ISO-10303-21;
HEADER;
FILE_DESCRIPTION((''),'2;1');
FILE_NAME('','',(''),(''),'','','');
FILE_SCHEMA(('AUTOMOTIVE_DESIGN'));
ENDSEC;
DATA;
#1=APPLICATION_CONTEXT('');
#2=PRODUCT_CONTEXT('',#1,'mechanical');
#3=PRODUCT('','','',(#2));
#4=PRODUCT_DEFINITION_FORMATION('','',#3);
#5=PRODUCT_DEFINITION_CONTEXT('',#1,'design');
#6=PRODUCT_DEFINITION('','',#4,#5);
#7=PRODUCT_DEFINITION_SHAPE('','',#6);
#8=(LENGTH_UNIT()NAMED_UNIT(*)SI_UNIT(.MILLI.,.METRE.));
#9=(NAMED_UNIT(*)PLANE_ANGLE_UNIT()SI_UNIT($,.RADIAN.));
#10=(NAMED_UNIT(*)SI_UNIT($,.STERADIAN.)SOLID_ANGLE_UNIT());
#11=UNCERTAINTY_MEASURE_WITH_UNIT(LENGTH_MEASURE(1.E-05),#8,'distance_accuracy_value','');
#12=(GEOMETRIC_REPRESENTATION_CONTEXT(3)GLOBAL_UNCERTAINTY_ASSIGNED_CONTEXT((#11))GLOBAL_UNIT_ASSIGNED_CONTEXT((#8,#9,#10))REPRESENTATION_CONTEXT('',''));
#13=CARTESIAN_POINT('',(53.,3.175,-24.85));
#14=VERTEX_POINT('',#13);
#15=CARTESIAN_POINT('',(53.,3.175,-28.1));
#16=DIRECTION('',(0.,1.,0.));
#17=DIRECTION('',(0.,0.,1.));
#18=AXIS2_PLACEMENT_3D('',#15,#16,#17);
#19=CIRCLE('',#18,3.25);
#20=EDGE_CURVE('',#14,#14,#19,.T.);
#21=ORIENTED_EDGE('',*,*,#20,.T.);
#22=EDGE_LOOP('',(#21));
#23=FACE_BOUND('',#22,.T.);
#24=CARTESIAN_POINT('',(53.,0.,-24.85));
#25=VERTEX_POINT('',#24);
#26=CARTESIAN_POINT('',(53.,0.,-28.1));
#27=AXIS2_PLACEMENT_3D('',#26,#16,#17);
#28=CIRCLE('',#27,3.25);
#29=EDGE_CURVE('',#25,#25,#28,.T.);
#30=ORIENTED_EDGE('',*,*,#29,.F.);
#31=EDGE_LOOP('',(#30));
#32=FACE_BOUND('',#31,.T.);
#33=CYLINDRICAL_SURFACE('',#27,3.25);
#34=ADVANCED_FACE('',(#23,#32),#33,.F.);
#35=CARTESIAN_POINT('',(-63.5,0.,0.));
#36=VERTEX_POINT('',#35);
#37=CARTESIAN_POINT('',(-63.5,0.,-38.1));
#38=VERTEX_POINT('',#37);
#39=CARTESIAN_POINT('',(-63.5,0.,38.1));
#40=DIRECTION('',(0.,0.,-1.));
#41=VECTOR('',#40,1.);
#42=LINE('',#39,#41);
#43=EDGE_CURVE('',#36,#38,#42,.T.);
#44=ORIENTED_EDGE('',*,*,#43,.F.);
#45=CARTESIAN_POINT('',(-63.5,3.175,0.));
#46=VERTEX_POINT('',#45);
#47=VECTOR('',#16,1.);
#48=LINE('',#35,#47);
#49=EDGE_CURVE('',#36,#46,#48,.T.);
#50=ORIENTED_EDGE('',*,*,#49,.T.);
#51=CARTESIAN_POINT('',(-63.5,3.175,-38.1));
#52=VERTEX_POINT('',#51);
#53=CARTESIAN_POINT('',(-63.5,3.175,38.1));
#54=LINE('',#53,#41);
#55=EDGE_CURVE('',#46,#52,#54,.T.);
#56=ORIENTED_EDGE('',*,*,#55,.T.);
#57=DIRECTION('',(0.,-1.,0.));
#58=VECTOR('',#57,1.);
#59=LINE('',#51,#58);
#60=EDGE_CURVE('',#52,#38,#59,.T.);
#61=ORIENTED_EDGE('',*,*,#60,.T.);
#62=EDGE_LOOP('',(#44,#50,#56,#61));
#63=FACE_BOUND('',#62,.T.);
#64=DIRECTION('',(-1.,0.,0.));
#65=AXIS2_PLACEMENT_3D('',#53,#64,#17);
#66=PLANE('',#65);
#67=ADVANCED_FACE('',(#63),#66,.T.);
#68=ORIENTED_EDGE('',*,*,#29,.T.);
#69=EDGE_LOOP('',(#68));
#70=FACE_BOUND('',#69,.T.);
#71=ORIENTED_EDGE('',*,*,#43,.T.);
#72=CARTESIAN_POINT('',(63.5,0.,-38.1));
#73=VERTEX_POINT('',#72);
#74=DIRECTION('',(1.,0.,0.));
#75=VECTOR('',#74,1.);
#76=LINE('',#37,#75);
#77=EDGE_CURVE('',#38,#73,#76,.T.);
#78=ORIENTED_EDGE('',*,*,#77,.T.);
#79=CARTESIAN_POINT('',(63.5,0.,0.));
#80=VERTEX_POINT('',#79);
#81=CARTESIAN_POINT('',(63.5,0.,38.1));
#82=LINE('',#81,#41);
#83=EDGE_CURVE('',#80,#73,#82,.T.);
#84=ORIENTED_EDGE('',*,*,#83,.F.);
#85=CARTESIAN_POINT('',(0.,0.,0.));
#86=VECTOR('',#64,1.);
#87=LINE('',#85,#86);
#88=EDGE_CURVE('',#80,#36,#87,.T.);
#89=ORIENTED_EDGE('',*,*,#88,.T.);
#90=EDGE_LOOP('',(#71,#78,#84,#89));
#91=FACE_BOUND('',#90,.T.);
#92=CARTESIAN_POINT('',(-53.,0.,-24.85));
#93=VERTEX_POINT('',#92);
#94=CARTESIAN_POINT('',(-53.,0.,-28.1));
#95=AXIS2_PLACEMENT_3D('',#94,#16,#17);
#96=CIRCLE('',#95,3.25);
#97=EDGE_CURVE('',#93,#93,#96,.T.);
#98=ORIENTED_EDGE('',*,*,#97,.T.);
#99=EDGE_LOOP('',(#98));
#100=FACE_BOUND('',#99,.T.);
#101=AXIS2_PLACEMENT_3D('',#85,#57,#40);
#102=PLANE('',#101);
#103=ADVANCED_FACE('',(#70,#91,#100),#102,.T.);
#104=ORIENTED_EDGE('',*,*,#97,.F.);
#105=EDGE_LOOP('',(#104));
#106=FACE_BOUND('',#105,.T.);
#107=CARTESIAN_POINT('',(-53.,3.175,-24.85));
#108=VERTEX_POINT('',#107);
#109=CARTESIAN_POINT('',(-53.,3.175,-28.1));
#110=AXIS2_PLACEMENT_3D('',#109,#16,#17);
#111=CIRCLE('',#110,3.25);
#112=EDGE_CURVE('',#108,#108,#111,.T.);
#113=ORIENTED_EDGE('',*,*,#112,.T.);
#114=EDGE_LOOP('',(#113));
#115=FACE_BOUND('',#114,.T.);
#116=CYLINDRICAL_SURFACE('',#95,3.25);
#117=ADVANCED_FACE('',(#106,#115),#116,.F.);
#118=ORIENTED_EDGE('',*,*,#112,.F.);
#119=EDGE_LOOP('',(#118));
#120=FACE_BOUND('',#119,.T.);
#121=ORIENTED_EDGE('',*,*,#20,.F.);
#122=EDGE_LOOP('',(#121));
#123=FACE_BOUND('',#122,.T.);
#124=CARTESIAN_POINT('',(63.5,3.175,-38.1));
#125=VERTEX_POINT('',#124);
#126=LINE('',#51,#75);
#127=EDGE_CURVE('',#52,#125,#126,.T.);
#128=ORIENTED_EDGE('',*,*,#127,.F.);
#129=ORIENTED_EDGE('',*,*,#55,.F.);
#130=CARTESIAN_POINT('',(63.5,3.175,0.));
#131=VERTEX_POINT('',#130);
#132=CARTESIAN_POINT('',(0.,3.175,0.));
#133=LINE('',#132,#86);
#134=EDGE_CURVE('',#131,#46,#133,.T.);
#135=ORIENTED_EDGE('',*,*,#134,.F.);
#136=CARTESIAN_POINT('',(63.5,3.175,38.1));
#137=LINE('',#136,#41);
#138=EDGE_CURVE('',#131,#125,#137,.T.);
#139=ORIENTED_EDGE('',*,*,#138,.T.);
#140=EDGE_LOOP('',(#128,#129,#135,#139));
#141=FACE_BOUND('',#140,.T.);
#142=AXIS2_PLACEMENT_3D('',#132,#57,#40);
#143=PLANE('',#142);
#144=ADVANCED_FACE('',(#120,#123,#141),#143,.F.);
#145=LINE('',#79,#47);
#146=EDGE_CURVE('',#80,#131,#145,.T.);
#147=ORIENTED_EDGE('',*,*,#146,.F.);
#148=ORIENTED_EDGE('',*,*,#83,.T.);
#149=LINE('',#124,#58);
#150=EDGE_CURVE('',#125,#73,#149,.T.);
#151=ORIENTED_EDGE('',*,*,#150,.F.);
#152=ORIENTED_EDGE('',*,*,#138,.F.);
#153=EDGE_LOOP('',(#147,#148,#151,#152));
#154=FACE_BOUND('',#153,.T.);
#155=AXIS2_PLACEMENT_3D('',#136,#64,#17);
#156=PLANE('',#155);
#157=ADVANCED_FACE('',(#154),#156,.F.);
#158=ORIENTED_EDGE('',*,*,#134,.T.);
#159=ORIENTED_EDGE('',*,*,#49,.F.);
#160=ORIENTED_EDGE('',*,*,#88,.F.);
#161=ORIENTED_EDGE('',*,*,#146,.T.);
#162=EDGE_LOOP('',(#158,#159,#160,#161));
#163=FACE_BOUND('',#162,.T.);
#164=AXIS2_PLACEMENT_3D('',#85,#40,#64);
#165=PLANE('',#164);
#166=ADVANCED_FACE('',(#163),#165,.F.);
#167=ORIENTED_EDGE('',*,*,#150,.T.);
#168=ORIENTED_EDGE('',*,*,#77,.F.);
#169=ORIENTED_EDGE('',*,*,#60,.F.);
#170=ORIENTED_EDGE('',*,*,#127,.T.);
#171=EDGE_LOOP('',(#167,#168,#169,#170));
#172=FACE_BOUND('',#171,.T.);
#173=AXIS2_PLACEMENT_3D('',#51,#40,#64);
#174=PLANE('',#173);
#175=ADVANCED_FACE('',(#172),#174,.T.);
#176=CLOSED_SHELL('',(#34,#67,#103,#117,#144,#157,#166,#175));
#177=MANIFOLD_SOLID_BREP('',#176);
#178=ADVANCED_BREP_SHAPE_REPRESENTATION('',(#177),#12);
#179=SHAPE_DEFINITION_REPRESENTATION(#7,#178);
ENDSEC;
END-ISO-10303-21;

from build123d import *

# Parameters (mm, degrees)
SKETCH1_W           = 127
SKETCH1_H           = 76.2
BOSS_EXTRUDE1_DEPTH = 3.175
SKETCH3_W           = 127
SKETCH3_H           = 38.1
SKETCH3_R           = 3.25
CUT_EXTRUDE1_DEPTH  = 4.175


with BuildPart() as part:
    # Sketch1 → Boss-Extrude1 (new body)
    with BuildSketch(Plane(origin=(0, 0, 0), x_dir=(1, 0, 0), z_dir=(0, 1, 0))):
        Rectangle(SKETCH1_W, SKETCH1_H)
    extrude(amount=BOSS_EXTRUDE1_DEPTH)

    # Sketch3 → Cut-Extrude1 (cut, through all)
    with BuildSketch(Plane(origin=(0, 3.175, 0), x_dir=(1, 0, 0), z_dir=(0, 1, 0))):
        with Locations((0, -19.05)):
            Rectangle(SKETCH3_W, SKETCH3_H)
        with Locations((-53, 28.1)):
            Circle(SKETCH3_R)
        with Locations((53, 28.1)):
            Circle(SKETCH3_R)
    extrude(amount=-CUT_EXTRUDE1_DEPTH, mode=Mode.SUBTRACT)


solid = part.part
